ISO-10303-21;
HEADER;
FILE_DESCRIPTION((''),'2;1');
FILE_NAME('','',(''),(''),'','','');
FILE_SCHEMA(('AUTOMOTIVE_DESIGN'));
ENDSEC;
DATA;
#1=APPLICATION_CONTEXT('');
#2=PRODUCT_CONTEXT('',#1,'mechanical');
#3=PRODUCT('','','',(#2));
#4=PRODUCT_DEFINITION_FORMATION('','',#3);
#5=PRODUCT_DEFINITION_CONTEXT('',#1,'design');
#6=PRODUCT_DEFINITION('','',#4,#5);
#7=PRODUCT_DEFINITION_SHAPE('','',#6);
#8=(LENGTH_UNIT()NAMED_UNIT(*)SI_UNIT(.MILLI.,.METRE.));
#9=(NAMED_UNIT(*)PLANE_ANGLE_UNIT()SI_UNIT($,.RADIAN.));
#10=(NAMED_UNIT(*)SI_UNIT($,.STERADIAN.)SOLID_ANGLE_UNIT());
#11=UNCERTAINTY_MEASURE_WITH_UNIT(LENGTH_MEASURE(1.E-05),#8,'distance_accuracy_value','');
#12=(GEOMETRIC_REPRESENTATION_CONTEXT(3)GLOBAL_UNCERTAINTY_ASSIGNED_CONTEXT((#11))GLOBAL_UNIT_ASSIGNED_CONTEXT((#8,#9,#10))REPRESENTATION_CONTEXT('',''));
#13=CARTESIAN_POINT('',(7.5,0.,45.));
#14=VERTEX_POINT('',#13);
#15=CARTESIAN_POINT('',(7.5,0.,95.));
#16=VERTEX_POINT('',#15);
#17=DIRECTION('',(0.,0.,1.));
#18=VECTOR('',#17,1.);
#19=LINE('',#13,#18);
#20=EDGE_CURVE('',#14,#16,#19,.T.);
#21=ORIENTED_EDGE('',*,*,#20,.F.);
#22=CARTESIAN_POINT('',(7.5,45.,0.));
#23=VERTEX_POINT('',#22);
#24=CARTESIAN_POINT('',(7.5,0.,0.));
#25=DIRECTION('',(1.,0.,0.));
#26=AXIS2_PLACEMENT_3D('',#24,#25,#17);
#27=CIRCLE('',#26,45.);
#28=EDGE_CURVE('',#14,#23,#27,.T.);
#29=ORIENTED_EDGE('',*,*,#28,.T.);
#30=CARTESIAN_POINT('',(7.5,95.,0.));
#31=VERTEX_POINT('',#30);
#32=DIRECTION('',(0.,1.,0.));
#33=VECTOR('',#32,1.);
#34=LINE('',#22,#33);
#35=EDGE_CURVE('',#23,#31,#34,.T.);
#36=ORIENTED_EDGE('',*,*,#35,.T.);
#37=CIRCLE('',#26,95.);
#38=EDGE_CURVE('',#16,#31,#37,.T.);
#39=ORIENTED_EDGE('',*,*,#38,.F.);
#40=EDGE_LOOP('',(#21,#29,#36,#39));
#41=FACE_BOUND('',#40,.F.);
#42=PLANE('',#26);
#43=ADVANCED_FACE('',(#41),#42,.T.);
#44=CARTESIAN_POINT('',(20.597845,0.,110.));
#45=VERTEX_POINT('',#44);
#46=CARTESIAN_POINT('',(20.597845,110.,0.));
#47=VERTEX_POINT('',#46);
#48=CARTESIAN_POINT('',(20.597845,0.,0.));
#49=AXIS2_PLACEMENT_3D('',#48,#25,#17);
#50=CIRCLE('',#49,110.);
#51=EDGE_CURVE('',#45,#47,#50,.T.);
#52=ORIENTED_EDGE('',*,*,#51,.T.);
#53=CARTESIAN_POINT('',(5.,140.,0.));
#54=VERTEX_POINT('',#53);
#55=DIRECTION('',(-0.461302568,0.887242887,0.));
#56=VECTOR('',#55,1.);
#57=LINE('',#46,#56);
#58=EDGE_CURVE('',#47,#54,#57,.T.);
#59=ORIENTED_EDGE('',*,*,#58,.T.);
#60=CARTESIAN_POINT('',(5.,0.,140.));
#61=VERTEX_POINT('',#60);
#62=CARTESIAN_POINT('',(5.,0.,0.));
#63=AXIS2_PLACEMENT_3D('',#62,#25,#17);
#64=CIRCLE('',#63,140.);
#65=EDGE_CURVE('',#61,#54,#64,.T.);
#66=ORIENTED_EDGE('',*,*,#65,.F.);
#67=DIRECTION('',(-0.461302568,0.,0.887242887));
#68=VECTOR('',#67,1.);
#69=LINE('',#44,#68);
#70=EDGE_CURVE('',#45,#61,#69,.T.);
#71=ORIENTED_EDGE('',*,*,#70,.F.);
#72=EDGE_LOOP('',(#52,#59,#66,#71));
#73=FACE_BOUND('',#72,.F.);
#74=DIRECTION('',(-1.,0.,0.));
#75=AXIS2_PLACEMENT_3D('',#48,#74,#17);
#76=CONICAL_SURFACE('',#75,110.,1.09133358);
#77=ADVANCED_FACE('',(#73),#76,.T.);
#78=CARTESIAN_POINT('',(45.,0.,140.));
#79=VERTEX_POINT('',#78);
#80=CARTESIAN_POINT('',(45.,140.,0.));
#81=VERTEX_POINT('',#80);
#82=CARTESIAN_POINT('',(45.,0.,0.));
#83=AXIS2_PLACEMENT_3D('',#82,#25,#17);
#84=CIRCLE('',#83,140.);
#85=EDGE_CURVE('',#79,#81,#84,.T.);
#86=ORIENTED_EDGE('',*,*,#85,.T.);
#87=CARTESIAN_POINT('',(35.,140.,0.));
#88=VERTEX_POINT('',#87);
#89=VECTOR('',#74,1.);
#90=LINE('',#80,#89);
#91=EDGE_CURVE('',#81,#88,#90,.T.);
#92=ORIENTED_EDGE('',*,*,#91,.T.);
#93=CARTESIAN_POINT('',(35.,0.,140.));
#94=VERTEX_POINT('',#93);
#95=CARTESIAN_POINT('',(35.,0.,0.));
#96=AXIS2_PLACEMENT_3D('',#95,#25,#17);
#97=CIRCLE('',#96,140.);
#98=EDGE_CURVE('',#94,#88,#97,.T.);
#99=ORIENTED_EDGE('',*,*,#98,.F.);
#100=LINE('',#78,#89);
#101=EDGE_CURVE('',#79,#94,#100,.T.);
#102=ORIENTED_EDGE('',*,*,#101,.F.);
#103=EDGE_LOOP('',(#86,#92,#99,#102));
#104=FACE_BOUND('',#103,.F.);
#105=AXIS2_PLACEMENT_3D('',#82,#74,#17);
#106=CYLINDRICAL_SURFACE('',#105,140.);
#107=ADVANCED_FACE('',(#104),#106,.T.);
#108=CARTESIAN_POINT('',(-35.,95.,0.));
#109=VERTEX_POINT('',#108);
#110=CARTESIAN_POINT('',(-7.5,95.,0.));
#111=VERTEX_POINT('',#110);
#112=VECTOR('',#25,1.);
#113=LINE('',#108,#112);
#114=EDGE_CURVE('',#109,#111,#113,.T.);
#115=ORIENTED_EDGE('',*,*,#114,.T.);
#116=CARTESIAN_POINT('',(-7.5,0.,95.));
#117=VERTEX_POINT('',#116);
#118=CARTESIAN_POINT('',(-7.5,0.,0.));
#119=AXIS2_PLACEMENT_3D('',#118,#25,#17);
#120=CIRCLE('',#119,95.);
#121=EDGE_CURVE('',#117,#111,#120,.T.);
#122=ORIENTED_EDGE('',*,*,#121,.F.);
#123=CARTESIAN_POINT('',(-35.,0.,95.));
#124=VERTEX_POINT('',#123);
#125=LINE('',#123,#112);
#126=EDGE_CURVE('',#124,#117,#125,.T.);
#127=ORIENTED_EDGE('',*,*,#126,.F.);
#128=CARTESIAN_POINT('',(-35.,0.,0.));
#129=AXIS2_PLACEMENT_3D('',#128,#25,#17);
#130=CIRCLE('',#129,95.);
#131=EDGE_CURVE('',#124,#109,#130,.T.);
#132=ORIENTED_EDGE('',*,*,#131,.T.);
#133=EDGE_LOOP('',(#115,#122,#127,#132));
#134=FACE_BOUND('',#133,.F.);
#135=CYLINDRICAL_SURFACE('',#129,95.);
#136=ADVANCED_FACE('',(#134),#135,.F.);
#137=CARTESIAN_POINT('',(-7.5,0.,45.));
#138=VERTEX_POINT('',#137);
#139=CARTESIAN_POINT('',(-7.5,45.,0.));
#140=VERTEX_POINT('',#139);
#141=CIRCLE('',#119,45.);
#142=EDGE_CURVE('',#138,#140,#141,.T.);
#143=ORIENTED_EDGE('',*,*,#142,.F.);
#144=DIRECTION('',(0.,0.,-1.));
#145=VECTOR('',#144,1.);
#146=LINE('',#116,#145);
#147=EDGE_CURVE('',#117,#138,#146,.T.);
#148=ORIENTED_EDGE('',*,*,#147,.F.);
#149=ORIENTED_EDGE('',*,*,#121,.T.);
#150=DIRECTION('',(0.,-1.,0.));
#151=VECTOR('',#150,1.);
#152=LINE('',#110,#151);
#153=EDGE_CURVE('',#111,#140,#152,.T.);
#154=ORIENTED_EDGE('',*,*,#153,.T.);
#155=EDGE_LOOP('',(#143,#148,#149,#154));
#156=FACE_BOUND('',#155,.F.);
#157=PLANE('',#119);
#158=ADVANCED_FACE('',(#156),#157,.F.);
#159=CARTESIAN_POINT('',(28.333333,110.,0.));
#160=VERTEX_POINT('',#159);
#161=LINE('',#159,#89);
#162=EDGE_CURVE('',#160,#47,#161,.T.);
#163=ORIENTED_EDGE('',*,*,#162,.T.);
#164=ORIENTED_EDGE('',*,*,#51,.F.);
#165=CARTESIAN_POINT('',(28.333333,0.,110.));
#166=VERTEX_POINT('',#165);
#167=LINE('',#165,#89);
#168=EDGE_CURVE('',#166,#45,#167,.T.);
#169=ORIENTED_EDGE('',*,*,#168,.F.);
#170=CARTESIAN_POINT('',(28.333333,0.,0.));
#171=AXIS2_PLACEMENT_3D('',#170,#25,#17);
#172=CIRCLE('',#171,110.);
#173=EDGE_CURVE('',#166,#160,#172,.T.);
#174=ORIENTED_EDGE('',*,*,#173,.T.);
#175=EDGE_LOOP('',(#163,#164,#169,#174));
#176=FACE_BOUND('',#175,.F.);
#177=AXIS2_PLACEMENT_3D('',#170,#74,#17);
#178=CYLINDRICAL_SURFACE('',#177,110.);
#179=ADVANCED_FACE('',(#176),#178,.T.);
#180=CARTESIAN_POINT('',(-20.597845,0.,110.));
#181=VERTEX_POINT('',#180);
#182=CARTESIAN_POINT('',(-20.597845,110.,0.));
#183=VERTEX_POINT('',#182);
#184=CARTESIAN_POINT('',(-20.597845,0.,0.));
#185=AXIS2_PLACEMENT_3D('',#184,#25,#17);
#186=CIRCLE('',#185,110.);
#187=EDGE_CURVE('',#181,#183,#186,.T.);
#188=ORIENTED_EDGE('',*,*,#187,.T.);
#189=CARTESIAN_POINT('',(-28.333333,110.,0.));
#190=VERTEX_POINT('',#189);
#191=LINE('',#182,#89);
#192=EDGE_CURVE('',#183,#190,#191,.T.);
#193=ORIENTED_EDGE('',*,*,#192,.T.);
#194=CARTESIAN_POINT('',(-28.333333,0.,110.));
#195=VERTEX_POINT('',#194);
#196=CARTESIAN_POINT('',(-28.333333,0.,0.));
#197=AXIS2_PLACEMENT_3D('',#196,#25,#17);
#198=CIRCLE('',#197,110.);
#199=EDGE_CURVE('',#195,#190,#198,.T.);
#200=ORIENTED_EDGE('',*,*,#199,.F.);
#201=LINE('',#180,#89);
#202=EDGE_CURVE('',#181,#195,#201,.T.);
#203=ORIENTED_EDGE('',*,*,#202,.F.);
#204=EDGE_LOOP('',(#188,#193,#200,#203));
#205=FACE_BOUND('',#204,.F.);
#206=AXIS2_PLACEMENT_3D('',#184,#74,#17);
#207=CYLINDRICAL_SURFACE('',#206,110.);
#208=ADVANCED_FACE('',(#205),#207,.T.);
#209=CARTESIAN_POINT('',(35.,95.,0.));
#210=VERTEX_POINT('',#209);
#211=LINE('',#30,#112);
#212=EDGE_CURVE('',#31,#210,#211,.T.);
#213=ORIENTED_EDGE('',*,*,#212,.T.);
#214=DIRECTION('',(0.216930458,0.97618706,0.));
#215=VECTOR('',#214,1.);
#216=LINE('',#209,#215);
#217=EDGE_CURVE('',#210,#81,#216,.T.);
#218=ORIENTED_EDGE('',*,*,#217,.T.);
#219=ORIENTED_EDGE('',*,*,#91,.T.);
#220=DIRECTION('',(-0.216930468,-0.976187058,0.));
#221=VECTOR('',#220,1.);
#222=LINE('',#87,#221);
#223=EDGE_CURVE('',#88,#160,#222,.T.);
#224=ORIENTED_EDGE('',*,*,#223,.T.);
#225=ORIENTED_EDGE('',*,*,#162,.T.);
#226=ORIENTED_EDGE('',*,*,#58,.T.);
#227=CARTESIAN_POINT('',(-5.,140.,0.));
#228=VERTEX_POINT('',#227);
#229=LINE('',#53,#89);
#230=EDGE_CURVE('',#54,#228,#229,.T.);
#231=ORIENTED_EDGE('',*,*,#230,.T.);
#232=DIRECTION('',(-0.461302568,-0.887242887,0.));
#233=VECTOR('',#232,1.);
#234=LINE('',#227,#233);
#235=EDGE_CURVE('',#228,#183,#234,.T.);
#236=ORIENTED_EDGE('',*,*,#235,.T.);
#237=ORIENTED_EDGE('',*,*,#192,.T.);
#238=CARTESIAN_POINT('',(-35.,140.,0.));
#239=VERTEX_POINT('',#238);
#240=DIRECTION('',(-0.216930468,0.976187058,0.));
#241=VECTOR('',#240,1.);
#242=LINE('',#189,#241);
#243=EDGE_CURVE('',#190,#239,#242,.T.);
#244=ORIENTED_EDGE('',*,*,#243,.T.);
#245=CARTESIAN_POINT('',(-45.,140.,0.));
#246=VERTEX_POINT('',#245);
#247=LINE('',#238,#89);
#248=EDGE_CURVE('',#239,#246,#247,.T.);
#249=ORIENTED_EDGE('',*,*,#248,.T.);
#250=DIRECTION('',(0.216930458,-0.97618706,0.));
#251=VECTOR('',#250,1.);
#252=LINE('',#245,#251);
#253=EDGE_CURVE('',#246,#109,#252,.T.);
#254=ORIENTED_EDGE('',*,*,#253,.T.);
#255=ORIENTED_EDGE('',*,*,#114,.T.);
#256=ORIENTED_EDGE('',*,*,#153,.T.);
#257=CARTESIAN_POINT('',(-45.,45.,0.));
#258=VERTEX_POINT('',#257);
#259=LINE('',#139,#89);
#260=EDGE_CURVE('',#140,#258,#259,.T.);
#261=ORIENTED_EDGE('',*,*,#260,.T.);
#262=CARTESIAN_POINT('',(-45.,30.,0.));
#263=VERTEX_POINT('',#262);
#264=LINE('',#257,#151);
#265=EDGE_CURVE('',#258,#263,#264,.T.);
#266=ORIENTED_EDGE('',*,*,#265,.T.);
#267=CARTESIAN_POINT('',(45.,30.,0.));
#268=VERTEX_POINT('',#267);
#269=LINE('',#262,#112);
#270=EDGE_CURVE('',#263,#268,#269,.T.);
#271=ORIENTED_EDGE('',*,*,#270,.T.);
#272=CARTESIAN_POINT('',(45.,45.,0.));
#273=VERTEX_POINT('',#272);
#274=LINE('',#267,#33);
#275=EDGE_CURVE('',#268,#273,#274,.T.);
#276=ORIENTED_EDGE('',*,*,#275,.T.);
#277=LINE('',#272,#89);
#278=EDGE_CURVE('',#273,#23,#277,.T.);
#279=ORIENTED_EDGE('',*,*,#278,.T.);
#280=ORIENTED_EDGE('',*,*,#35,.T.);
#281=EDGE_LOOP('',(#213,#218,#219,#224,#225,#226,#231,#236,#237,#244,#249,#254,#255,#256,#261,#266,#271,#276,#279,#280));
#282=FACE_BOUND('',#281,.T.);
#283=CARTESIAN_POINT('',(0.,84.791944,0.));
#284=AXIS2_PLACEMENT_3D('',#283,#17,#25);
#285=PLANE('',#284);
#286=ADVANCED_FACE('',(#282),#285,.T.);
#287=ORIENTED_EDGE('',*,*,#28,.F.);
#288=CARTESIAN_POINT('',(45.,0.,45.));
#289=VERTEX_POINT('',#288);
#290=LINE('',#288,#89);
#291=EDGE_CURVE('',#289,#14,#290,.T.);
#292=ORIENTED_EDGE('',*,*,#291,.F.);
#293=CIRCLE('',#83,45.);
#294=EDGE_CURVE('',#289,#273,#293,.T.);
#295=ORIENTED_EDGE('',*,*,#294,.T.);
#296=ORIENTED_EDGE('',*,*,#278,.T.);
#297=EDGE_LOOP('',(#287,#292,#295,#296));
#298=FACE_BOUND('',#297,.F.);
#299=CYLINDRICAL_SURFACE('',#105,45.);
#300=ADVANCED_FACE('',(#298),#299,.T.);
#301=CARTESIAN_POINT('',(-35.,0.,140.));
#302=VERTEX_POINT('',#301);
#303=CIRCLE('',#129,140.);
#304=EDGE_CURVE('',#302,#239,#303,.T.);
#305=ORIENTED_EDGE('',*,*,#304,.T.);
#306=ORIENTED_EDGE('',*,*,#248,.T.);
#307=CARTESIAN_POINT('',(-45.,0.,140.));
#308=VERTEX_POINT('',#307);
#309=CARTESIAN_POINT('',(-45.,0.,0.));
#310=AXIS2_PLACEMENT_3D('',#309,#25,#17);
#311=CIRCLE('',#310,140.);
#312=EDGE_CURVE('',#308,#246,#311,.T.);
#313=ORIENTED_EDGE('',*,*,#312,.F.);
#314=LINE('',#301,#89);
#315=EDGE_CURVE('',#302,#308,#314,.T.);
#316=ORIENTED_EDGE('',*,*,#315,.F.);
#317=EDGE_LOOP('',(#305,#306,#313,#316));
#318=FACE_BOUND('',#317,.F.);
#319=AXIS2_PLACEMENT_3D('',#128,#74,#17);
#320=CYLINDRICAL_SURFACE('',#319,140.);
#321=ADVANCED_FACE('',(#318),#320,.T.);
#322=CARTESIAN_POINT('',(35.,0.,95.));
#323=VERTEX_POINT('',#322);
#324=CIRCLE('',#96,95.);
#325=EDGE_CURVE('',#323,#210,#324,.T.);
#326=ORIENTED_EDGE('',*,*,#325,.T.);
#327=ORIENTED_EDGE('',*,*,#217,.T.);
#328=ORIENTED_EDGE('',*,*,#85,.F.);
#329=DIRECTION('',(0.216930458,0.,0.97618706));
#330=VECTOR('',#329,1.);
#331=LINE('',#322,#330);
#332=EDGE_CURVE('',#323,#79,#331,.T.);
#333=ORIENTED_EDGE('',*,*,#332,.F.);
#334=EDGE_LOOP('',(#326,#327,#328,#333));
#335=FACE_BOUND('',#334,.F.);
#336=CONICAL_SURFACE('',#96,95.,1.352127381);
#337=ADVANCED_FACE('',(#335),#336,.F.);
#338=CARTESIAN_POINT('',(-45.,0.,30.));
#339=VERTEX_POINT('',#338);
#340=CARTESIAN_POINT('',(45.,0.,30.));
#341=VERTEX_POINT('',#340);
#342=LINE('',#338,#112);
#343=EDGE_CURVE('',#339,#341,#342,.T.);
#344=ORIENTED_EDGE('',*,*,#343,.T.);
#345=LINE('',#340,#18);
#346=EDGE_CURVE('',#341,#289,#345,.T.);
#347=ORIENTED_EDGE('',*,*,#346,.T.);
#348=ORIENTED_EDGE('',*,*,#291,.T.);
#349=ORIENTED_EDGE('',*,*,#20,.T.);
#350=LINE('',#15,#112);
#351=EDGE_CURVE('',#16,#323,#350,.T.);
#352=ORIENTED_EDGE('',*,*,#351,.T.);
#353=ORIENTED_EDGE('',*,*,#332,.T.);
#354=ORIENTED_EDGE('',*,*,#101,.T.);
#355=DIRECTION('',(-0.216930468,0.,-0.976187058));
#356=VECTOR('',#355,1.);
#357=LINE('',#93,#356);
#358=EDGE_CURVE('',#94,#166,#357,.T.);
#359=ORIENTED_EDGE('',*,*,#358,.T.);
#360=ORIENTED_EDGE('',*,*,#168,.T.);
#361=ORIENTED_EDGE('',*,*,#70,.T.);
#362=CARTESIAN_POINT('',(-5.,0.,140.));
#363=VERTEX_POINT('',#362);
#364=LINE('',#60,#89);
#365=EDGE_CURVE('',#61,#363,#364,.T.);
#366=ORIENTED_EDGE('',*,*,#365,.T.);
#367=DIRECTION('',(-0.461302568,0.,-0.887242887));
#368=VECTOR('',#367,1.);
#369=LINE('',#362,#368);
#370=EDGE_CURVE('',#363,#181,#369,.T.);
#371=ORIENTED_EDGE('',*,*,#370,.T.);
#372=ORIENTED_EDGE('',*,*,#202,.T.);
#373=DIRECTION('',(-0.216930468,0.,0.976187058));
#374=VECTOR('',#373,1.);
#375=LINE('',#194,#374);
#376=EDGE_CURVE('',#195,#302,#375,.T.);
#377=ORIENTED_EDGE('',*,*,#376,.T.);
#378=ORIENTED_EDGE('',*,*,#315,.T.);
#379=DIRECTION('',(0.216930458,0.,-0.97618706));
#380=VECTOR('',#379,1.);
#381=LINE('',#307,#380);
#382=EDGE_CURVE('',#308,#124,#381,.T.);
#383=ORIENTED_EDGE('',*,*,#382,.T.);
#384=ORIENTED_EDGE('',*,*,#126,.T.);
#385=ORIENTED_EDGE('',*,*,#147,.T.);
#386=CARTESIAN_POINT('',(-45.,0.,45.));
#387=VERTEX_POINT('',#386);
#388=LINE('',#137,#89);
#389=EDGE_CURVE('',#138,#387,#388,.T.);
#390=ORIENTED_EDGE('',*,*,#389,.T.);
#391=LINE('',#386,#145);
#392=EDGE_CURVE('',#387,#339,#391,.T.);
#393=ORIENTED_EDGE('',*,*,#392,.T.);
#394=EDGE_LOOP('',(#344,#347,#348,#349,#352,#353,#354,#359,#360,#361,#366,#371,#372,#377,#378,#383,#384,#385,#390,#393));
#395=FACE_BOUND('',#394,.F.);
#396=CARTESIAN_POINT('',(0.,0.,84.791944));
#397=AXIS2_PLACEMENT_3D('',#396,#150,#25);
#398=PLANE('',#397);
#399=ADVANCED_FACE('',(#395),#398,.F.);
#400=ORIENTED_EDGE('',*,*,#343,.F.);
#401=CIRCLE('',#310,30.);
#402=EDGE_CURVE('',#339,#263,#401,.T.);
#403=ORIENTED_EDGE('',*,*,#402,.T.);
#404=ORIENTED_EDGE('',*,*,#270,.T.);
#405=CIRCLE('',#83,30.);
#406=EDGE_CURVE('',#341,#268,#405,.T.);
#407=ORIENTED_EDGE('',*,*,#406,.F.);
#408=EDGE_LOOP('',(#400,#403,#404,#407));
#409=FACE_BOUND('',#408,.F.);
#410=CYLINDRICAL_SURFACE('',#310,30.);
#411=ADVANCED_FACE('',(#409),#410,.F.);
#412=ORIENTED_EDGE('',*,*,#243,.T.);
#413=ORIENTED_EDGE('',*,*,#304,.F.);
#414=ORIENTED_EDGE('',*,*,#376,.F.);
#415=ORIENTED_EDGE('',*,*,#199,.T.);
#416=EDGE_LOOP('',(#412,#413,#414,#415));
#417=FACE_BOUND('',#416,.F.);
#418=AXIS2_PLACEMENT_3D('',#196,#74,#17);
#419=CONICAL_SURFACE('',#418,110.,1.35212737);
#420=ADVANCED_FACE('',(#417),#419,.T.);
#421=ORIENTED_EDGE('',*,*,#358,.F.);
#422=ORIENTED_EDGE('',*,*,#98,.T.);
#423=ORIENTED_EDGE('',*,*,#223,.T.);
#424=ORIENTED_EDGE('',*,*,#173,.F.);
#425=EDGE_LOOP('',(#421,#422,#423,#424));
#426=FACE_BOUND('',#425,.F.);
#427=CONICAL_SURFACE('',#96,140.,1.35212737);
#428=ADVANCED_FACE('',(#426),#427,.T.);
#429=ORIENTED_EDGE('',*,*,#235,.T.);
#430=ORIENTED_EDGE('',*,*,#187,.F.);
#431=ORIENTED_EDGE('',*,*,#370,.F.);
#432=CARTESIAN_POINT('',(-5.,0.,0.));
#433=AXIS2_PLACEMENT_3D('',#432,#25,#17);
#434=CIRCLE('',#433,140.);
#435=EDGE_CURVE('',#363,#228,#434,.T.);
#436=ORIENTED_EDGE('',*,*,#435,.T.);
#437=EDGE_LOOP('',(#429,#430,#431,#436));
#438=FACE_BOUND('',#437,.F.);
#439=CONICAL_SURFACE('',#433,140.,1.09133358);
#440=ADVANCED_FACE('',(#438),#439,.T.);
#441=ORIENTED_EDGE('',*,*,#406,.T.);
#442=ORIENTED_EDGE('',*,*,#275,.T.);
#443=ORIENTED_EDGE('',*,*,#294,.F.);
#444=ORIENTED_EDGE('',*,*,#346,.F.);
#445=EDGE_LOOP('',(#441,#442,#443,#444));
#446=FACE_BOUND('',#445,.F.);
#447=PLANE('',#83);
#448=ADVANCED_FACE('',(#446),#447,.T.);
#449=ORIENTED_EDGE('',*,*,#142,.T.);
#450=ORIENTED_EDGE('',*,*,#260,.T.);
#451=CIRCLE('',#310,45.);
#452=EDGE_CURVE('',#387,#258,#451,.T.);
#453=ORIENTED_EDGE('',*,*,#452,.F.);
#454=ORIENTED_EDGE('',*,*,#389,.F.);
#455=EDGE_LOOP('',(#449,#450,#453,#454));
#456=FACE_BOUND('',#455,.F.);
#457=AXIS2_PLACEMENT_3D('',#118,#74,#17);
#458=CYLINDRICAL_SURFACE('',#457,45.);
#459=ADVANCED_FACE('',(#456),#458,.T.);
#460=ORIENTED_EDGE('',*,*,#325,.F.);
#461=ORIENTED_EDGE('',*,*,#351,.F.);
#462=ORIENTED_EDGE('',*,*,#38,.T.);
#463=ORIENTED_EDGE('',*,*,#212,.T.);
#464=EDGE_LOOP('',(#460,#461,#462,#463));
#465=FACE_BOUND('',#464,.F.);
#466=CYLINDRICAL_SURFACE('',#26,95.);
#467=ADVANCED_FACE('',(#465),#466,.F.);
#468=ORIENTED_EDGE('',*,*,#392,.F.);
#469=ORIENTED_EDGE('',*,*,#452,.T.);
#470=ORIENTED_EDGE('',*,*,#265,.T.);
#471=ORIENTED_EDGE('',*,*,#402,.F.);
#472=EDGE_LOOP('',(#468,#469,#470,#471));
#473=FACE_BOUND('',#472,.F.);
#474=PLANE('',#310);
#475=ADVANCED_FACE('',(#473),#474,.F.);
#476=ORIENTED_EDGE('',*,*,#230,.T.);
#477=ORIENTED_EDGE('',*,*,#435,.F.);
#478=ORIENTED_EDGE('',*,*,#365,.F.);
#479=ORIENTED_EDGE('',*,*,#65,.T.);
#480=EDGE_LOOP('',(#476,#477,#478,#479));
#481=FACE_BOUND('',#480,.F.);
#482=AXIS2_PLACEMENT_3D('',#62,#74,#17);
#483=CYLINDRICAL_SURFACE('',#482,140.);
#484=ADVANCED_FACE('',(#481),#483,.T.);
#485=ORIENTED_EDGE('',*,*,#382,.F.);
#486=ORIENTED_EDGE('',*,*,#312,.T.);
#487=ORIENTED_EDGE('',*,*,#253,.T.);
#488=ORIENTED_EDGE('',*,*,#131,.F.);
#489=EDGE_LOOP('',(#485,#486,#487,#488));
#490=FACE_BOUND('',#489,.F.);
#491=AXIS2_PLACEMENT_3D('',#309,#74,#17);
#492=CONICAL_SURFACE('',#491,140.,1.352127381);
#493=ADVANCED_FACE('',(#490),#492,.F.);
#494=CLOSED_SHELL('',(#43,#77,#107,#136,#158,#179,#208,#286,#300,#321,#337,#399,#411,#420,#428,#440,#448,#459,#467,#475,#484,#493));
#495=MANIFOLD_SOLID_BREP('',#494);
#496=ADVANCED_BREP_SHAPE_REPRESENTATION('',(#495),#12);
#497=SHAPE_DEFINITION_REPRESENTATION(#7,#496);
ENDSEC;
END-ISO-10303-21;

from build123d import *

# Parameters (mm, degrees)
REVOLUTION_ANGLE = 270


with BuildPart() as part:
    # Sketch → Revolution (revolve)
    with BuildSketch(Plane.XZ):
        Polygon((-45, 30), (45, 30), (45, 45), (7.5, 45), (7.5, 95), (35, 95), (45, 140), (35, 140), (28.333333, 110), (20.597845, 110), (5, 140), (-5, 140), (-20.597845, 110), (-28.333333, 110), (-35, 140), (-45, 140), (-35, 95), (-7.5, 95), (-7.5, 45), (-45, 45), align=None)
    revolve(axis=Axis((0, 0, 0), (1, 0, 0)), revolution_arc=REVOLUTION_ANGLE)


solid = part.part
